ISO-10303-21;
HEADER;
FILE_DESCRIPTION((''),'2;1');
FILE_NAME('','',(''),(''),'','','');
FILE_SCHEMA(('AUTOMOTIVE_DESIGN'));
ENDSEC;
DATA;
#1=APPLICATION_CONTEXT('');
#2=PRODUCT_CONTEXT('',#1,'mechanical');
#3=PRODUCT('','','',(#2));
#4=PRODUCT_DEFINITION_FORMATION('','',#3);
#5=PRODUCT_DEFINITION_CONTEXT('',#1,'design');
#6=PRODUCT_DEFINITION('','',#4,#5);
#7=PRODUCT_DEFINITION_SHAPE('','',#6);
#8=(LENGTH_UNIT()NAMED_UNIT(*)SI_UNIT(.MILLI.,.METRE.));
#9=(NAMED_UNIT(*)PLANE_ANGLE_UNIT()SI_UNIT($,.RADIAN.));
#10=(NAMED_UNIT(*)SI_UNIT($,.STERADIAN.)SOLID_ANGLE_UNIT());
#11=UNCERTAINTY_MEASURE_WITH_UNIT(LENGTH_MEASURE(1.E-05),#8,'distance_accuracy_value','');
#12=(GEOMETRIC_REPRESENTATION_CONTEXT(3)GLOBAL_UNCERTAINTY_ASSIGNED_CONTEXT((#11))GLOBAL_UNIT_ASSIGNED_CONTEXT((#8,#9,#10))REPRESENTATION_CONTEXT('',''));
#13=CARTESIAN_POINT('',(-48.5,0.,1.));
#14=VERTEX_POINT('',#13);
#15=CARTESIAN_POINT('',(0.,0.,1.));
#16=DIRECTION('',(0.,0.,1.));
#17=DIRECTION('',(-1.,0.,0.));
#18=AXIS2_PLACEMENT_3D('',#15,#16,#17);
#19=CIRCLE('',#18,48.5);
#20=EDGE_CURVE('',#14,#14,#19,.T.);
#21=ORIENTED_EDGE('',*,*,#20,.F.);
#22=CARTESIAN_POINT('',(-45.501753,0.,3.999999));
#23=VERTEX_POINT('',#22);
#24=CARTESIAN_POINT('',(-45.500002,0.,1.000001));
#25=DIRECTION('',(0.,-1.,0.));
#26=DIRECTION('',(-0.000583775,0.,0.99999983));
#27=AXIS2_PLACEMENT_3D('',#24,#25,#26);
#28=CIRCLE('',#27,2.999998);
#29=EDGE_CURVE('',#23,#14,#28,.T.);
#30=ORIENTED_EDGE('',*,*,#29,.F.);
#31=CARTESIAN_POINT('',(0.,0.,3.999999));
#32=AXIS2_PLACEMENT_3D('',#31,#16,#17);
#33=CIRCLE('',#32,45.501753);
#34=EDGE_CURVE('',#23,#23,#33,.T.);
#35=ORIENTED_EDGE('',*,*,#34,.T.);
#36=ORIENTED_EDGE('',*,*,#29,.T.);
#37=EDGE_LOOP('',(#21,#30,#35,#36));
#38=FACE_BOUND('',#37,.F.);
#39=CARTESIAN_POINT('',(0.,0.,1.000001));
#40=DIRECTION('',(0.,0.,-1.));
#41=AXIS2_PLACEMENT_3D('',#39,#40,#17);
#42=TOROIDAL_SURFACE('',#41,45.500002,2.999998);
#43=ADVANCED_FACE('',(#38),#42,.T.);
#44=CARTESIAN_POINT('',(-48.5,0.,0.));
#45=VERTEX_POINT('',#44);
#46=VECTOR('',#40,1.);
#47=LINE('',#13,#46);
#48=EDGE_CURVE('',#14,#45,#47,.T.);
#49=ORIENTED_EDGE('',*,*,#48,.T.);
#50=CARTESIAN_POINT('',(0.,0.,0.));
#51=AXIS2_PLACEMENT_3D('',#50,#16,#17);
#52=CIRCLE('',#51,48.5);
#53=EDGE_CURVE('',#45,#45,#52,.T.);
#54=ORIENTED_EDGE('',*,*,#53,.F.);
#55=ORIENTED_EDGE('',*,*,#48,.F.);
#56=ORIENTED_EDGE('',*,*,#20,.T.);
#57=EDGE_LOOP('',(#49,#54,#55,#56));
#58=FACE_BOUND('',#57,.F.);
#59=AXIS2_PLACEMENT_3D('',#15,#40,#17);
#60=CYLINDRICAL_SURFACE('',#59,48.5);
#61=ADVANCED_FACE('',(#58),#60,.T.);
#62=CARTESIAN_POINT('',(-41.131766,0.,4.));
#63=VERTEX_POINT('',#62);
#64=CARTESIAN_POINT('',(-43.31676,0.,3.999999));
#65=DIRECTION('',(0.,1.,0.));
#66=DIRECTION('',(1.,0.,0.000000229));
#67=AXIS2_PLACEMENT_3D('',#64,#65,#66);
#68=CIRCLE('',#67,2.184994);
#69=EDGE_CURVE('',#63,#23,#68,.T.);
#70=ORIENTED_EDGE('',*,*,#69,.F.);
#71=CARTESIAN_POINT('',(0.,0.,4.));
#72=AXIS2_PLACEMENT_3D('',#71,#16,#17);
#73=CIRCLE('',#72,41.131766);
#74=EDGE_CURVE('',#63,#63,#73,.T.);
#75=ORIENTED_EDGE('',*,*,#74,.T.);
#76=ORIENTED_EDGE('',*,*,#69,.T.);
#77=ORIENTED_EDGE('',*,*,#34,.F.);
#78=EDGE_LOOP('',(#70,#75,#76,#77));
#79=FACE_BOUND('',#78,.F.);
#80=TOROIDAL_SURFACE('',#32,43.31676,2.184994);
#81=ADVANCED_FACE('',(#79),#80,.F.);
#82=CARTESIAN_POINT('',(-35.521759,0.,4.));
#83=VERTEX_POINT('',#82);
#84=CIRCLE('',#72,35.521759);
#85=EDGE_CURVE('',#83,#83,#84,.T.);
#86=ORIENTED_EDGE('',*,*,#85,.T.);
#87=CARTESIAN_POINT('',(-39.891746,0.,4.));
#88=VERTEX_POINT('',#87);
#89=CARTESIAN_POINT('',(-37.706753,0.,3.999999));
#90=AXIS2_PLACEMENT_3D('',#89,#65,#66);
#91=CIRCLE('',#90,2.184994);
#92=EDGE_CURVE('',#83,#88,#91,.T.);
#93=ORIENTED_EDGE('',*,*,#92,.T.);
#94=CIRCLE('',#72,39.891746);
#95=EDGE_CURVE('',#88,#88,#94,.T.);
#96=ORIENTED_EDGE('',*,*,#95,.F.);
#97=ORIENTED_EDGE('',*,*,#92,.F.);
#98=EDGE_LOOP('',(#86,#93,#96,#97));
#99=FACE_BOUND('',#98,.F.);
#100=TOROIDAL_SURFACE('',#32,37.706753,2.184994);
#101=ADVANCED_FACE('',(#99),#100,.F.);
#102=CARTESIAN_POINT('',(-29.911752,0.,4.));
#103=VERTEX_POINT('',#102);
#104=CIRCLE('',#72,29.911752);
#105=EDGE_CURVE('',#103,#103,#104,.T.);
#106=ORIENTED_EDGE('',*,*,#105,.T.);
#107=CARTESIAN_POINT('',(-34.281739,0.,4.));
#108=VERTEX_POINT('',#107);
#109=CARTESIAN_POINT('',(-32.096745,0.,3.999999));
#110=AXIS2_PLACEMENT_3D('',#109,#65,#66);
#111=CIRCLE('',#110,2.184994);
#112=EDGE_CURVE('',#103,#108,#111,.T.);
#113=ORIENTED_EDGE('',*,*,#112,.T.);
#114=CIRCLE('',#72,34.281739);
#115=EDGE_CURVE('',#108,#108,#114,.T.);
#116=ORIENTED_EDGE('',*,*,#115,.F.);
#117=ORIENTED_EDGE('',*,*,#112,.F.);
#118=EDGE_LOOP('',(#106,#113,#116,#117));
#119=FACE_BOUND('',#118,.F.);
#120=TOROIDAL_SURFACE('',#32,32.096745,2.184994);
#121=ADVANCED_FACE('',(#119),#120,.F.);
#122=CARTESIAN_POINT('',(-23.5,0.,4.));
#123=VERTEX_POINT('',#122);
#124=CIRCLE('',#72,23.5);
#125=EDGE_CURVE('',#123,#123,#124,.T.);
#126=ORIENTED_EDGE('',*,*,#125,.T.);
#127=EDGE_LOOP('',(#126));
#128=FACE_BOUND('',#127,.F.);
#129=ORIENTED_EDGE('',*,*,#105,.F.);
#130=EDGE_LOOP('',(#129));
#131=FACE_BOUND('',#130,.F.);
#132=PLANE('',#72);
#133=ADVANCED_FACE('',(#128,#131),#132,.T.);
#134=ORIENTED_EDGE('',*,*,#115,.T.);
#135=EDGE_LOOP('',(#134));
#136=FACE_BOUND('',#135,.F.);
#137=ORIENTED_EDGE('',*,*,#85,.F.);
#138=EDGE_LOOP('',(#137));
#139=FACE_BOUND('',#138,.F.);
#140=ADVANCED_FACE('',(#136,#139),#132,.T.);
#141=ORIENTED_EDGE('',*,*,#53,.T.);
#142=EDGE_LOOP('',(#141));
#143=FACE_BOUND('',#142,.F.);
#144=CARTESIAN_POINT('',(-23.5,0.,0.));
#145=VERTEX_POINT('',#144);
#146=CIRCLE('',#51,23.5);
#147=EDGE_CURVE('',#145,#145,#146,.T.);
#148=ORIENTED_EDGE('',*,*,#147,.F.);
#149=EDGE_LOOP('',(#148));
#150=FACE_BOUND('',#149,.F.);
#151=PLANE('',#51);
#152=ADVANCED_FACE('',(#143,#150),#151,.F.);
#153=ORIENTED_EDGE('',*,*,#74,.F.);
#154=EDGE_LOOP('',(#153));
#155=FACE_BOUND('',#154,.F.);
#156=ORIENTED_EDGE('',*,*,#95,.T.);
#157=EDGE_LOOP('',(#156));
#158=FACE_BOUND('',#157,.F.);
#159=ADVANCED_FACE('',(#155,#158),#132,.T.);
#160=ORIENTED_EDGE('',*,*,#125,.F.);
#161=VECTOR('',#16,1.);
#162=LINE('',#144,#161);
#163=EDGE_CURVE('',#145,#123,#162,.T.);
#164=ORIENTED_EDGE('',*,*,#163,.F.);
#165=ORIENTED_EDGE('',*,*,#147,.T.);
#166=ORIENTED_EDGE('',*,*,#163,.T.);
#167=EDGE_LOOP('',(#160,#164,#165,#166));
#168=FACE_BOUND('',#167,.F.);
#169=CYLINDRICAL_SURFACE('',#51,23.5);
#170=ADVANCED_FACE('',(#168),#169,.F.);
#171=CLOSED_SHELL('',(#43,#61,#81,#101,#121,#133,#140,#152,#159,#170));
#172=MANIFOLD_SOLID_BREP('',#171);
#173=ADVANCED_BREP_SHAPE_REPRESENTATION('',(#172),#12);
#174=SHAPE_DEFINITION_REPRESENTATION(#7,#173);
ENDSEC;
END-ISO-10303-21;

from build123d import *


with BuildPart() as f1:
    # F0 (on Front) → F1 (revolve)
    with BuildSketch(Plane.XZ):
        with BuildLine():
            Line((-48.5, 0), (-23.5, 0))
            Line((-23.5, 0), (-23.5, 4))
            Line((-23.5, 4), (-29.911752, 4))
            ThreePointArc((-29.911752, 4), (-32.096745, 1.815006), (-34.281739, 4))
            Line((-34.281739, 4), (-35.521759, 4))
            ThreePointArc((-35.521759, 4), (-37.706752, 1.815006), (-39.891746, 4))
            Line((-39.891746, 4), (-41.131766, 4))
            ThreePointArc((-41.131766, 4), (-43.316759, 1.815006), (-45.501753, 3.999999))
            ThreePointArc((-45.501753, 3.999999), (-47.62194, 3.120701), (-48.5, 1))
            Line((-48.5, 1), (-48.5, 0))
        make_face()
    revolve(axis=Axis((0, 0, 1.917433), (0, 0, 1)))


solid = f1.part
